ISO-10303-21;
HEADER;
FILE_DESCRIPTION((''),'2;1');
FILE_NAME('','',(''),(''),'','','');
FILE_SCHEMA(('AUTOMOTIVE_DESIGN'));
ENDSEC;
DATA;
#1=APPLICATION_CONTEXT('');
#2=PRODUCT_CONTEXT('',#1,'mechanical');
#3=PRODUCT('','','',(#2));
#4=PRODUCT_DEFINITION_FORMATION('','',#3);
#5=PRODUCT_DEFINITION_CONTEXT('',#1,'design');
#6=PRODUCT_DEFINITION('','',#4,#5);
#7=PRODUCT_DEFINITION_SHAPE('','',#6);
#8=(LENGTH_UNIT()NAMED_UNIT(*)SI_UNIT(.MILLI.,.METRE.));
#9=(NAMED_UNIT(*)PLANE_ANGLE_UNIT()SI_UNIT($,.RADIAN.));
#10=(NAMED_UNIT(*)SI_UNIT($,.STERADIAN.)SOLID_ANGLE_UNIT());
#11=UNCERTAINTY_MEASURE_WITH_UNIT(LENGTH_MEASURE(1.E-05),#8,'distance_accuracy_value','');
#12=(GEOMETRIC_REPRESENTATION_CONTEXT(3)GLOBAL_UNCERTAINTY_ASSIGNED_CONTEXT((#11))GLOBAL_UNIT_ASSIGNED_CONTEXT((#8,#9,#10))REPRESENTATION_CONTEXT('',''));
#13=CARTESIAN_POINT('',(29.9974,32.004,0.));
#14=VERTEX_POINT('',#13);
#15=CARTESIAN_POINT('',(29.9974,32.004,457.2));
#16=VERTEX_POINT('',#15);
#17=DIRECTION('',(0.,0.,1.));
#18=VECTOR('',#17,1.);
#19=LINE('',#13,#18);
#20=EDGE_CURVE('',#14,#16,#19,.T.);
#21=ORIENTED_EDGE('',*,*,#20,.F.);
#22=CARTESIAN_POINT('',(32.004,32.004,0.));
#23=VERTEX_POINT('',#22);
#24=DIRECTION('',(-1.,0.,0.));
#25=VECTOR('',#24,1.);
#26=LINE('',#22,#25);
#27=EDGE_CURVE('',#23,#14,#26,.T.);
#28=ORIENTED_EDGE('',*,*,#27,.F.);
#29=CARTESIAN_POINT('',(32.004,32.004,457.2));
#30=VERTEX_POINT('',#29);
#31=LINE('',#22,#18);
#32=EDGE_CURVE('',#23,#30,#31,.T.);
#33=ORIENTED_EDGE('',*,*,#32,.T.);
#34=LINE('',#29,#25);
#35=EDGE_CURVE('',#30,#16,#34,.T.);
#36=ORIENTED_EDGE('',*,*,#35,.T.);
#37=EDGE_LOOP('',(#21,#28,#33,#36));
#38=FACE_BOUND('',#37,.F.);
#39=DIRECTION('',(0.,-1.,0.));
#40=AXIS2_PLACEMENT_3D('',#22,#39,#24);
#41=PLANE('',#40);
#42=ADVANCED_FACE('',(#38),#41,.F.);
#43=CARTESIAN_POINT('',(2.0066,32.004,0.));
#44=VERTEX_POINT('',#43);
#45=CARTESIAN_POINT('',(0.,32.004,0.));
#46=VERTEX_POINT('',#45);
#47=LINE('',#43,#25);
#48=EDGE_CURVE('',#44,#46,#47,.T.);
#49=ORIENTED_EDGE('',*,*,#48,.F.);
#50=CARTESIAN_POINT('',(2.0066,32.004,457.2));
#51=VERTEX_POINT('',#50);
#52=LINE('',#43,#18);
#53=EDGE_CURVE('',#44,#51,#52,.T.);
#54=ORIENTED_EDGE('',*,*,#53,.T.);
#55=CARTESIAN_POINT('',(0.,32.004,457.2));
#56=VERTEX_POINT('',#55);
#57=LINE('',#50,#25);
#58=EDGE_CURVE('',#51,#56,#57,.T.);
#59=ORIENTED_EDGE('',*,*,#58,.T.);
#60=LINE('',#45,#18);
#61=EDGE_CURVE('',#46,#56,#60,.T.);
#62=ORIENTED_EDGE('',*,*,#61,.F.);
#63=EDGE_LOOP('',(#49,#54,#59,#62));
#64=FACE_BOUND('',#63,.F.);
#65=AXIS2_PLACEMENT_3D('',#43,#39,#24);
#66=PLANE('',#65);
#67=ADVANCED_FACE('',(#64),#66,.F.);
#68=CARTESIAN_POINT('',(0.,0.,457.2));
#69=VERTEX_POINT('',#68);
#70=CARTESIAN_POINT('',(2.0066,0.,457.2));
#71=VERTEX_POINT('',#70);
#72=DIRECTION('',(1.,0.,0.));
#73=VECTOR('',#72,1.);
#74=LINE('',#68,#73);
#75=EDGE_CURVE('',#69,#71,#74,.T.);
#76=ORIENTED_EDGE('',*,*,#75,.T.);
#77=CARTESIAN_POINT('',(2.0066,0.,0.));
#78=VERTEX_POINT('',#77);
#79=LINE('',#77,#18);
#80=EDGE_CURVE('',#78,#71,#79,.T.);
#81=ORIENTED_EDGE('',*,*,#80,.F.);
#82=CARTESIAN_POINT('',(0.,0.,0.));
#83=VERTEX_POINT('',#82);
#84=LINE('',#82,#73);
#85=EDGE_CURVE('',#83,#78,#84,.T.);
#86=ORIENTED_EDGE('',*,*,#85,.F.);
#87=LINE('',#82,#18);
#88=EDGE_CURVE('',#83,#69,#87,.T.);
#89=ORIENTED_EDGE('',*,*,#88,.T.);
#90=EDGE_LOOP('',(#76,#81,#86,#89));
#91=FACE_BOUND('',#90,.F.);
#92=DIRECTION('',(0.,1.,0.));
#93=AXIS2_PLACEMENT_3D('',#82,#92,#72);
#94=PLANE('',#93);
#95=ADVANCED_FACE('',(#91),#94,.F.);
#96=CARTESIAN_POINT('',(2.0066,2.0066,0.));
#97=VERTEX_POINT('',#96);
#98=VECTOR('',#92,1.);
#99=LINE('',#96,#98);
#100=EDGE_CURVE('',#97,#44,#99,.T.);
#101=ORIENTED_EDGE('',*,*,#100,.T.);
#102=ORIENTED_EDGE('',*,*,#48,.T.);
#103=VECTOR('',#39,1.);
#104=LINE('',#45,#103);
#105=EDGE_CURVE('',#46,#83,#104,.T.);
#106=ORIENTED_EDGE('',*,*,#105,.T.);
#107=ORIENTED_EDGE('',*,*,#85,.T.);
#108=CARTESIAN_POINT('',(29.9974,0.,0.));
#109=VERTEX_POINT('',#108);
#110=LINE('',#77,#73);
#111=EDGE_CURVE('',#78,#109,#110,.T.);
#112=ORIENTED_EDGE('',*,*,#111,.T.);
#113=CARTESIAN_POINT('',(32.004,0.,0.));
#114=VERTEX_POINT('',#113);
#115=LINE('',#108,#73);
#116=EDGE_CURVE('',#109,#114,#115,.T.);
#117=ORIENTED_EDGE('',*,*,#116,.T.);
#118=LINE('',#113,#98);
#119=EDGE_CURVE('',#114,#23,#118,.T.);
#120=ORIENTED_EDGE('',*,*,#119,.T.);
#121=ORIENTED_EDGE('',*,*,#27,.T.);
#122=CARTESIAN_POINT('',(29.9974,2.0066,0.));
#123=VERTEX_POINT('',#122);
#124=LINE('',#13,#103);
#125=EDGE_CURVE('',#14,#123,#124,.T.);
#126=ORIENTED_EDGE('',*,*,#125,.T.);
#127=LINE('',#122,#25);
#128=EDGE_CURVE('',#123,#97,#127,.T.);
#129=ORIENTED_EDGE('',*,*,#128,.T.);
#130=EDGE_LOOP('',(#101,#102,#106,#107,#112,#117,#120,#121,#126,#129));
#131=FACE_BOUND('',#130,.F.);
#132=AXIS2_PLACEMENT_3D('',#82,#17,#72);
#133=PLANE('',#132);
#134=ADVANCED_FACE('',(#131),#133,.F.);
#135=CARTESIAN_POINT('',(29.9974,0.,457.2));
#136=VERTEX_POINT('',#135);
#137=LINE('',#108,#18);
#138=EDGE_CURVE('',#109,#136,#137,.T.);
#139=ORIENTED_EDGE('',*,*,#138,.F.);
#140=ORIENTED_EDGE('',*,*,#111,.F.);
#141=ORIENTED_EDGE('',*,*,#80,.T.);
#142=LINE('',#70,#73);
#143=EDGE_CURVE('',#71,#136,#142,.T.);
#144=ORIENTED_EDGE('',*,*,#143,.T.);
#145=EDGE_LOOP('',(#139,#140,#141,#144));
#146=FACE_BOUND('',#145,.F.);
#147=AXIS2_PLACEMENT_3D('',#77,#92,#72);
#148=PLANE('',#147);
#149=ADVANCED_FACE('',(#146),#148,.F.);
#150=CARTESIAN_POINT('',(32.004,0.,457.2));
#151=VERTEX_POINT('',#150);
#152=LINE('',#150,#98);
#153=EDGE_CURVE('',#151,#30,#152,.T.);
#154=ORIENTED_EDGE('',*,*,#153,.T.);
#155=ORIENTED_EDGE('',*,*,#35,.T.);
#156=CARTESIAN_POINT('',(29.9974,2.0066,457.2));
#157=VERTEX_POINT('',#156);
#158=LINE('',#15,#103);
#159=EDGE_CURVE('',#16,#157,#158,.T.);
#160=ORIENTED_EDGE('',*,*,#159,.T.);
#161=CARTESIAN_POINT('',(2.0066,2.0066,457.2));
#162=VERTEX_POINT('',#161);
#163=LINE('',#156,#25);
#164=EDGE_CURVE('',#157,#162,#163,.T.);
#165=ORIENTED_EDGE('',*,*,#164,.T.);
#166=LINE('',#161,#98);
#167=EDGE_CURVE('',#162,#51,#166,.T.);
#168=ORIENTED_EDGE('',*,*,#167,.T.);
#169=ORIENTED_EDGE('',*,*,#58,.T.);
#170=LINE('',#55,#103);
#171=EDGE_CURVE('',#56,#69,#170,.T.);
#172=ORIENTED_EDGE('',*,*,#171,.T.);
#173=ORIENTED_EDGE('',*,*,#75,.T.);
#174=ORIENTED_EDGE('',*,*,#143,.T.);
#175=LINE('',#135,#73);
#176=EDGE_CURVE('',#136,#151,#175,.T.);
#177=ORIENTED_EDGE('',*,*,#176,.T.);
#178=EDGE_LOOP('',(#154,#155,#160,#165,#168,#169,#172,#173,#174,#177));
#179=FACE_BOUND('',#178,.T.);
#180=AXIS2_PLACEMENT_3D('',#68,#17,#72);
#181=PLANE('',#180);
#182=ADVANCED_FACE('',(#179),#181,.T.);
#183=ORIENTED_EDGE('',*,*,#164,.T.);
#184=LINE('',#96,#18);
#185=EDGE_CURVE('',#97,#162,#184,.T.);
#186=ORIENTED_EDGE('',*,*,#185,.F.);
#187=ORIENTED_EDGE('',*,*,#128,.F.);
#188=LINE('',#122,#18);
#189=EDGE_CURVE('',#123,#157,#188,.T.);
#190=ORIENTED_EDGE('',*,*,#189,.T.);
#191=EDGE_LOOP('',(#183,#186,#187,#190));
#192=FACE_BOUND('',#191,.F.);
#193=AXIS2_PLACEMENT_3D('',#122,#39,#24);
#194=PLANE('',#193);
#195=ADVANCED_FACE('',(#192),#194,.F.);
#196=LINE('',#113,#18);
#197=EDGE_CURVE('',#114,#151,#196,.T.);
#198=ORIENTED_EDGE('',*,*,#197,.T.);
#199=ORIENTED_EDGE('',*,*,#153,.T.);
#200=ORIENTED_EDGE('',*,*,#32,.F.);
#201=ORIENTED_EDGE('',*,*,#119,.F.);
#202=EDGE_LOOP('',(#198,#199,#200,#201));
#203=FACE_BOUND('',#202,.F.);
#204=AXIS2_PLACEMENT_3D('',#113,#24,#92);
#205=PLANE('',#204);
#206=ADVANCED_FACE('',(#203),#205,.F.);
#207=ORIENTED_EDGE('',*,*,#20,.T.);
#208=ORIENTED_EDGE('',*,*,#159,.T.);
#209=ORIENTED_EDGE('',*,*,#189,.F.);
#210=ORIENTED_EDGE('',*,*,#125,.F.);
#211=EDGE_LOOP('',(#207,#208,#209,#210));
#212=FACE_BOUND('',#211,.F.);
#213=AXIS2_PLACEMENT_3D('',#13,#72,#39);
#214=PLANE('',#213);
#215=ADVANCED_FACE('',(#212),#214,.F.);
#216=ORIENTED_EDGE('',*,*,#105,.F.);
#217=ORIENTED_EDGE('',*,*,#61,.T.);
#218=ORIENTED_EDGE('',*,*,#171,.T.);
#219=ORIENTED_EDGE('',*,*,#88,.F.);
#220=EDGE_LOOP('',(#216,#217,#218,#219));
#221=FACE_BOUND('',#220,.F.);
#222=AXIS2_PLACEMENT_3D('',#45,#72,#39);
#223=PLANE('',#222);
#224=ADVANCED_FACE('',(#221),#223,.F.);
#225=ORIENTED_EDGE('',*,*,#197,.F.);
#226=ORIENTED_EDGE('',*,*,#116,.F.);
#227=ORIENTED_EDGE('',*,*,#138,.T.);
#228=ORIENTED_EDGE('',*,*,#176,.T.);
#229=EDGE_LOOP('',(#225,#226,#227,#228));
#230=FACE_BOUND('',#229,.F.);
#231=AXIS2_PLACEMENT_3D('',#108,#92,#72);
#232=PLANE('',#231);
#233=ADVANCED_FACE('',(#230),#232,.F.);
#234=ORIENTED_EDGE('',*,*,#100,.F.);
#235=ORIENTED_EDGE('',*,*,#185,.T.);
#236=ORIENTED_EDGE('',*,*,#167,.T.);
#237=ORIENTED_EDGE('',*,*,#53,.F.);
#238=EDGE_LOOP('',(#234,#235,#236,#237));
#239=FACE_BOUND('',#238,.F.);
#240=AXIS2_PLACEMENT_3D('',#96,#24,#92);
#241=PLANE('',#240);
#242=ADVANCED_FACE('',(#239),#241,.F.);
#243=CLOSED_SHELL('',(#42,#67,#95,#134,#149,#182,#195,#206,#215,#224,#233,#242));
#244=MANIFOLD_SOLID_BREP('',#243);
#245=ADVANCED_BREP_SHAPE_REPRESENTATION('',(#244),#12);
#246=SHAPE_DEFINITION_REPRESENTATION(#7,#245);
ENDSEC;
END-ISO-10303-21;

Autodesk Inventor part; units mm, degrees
ref_plane "YZ Plane" through (0, 0, 0) normal (1, 0, 0) x (0, 1, 0)
ref_plane "XZ Plane" through (0, 0, 0) normal (0, 1, 0) x (-1, 0, 0)
ref_plane "XY Plane" through (0, 0, 0) normal (0, 0, 1) x (1, 0, 0)
sketch "Sketch1" plane through (0, 0, 0) normal (0, 0, 1) x (1, 0, 0)
  line L0 (2.0066, 32.004) -> (0, 32.004)
  line L1 (0, 32.004) -> (0, 0)
  line L2 (0, 0) -> (2.0066, 0)
  line L3 (2.0066, 2.0066) -> (2.0066, 32.004)
  line L4 (2.0066, 0) -> (29.9974, 0)
  line L5 (29.9974, 2.0066) -> (2.0066, 2.0066)
  line L6 (29.9974, 0) -> (32.004, 0)
  line L7 (32.004, 0) -> (32.004, 32.004)
  line L8 (32.004, 32.004) -> (29.9974, 32.004)
  line L9 (29.9974, 32.004) -> (29.9974, 2.0066)
  dimension "d2" = 2.0066
  dimension "d3" = 32.004
sketch "Sketch2" plane through (0, 0, 0) normal (0, 0, 1) x (1, 0, 0)
  point P0 (0, 0)
extrude "Extrusion1" add sketch "Sketch1" along normal blind 457.2
properties part number "BeamSolid18"
